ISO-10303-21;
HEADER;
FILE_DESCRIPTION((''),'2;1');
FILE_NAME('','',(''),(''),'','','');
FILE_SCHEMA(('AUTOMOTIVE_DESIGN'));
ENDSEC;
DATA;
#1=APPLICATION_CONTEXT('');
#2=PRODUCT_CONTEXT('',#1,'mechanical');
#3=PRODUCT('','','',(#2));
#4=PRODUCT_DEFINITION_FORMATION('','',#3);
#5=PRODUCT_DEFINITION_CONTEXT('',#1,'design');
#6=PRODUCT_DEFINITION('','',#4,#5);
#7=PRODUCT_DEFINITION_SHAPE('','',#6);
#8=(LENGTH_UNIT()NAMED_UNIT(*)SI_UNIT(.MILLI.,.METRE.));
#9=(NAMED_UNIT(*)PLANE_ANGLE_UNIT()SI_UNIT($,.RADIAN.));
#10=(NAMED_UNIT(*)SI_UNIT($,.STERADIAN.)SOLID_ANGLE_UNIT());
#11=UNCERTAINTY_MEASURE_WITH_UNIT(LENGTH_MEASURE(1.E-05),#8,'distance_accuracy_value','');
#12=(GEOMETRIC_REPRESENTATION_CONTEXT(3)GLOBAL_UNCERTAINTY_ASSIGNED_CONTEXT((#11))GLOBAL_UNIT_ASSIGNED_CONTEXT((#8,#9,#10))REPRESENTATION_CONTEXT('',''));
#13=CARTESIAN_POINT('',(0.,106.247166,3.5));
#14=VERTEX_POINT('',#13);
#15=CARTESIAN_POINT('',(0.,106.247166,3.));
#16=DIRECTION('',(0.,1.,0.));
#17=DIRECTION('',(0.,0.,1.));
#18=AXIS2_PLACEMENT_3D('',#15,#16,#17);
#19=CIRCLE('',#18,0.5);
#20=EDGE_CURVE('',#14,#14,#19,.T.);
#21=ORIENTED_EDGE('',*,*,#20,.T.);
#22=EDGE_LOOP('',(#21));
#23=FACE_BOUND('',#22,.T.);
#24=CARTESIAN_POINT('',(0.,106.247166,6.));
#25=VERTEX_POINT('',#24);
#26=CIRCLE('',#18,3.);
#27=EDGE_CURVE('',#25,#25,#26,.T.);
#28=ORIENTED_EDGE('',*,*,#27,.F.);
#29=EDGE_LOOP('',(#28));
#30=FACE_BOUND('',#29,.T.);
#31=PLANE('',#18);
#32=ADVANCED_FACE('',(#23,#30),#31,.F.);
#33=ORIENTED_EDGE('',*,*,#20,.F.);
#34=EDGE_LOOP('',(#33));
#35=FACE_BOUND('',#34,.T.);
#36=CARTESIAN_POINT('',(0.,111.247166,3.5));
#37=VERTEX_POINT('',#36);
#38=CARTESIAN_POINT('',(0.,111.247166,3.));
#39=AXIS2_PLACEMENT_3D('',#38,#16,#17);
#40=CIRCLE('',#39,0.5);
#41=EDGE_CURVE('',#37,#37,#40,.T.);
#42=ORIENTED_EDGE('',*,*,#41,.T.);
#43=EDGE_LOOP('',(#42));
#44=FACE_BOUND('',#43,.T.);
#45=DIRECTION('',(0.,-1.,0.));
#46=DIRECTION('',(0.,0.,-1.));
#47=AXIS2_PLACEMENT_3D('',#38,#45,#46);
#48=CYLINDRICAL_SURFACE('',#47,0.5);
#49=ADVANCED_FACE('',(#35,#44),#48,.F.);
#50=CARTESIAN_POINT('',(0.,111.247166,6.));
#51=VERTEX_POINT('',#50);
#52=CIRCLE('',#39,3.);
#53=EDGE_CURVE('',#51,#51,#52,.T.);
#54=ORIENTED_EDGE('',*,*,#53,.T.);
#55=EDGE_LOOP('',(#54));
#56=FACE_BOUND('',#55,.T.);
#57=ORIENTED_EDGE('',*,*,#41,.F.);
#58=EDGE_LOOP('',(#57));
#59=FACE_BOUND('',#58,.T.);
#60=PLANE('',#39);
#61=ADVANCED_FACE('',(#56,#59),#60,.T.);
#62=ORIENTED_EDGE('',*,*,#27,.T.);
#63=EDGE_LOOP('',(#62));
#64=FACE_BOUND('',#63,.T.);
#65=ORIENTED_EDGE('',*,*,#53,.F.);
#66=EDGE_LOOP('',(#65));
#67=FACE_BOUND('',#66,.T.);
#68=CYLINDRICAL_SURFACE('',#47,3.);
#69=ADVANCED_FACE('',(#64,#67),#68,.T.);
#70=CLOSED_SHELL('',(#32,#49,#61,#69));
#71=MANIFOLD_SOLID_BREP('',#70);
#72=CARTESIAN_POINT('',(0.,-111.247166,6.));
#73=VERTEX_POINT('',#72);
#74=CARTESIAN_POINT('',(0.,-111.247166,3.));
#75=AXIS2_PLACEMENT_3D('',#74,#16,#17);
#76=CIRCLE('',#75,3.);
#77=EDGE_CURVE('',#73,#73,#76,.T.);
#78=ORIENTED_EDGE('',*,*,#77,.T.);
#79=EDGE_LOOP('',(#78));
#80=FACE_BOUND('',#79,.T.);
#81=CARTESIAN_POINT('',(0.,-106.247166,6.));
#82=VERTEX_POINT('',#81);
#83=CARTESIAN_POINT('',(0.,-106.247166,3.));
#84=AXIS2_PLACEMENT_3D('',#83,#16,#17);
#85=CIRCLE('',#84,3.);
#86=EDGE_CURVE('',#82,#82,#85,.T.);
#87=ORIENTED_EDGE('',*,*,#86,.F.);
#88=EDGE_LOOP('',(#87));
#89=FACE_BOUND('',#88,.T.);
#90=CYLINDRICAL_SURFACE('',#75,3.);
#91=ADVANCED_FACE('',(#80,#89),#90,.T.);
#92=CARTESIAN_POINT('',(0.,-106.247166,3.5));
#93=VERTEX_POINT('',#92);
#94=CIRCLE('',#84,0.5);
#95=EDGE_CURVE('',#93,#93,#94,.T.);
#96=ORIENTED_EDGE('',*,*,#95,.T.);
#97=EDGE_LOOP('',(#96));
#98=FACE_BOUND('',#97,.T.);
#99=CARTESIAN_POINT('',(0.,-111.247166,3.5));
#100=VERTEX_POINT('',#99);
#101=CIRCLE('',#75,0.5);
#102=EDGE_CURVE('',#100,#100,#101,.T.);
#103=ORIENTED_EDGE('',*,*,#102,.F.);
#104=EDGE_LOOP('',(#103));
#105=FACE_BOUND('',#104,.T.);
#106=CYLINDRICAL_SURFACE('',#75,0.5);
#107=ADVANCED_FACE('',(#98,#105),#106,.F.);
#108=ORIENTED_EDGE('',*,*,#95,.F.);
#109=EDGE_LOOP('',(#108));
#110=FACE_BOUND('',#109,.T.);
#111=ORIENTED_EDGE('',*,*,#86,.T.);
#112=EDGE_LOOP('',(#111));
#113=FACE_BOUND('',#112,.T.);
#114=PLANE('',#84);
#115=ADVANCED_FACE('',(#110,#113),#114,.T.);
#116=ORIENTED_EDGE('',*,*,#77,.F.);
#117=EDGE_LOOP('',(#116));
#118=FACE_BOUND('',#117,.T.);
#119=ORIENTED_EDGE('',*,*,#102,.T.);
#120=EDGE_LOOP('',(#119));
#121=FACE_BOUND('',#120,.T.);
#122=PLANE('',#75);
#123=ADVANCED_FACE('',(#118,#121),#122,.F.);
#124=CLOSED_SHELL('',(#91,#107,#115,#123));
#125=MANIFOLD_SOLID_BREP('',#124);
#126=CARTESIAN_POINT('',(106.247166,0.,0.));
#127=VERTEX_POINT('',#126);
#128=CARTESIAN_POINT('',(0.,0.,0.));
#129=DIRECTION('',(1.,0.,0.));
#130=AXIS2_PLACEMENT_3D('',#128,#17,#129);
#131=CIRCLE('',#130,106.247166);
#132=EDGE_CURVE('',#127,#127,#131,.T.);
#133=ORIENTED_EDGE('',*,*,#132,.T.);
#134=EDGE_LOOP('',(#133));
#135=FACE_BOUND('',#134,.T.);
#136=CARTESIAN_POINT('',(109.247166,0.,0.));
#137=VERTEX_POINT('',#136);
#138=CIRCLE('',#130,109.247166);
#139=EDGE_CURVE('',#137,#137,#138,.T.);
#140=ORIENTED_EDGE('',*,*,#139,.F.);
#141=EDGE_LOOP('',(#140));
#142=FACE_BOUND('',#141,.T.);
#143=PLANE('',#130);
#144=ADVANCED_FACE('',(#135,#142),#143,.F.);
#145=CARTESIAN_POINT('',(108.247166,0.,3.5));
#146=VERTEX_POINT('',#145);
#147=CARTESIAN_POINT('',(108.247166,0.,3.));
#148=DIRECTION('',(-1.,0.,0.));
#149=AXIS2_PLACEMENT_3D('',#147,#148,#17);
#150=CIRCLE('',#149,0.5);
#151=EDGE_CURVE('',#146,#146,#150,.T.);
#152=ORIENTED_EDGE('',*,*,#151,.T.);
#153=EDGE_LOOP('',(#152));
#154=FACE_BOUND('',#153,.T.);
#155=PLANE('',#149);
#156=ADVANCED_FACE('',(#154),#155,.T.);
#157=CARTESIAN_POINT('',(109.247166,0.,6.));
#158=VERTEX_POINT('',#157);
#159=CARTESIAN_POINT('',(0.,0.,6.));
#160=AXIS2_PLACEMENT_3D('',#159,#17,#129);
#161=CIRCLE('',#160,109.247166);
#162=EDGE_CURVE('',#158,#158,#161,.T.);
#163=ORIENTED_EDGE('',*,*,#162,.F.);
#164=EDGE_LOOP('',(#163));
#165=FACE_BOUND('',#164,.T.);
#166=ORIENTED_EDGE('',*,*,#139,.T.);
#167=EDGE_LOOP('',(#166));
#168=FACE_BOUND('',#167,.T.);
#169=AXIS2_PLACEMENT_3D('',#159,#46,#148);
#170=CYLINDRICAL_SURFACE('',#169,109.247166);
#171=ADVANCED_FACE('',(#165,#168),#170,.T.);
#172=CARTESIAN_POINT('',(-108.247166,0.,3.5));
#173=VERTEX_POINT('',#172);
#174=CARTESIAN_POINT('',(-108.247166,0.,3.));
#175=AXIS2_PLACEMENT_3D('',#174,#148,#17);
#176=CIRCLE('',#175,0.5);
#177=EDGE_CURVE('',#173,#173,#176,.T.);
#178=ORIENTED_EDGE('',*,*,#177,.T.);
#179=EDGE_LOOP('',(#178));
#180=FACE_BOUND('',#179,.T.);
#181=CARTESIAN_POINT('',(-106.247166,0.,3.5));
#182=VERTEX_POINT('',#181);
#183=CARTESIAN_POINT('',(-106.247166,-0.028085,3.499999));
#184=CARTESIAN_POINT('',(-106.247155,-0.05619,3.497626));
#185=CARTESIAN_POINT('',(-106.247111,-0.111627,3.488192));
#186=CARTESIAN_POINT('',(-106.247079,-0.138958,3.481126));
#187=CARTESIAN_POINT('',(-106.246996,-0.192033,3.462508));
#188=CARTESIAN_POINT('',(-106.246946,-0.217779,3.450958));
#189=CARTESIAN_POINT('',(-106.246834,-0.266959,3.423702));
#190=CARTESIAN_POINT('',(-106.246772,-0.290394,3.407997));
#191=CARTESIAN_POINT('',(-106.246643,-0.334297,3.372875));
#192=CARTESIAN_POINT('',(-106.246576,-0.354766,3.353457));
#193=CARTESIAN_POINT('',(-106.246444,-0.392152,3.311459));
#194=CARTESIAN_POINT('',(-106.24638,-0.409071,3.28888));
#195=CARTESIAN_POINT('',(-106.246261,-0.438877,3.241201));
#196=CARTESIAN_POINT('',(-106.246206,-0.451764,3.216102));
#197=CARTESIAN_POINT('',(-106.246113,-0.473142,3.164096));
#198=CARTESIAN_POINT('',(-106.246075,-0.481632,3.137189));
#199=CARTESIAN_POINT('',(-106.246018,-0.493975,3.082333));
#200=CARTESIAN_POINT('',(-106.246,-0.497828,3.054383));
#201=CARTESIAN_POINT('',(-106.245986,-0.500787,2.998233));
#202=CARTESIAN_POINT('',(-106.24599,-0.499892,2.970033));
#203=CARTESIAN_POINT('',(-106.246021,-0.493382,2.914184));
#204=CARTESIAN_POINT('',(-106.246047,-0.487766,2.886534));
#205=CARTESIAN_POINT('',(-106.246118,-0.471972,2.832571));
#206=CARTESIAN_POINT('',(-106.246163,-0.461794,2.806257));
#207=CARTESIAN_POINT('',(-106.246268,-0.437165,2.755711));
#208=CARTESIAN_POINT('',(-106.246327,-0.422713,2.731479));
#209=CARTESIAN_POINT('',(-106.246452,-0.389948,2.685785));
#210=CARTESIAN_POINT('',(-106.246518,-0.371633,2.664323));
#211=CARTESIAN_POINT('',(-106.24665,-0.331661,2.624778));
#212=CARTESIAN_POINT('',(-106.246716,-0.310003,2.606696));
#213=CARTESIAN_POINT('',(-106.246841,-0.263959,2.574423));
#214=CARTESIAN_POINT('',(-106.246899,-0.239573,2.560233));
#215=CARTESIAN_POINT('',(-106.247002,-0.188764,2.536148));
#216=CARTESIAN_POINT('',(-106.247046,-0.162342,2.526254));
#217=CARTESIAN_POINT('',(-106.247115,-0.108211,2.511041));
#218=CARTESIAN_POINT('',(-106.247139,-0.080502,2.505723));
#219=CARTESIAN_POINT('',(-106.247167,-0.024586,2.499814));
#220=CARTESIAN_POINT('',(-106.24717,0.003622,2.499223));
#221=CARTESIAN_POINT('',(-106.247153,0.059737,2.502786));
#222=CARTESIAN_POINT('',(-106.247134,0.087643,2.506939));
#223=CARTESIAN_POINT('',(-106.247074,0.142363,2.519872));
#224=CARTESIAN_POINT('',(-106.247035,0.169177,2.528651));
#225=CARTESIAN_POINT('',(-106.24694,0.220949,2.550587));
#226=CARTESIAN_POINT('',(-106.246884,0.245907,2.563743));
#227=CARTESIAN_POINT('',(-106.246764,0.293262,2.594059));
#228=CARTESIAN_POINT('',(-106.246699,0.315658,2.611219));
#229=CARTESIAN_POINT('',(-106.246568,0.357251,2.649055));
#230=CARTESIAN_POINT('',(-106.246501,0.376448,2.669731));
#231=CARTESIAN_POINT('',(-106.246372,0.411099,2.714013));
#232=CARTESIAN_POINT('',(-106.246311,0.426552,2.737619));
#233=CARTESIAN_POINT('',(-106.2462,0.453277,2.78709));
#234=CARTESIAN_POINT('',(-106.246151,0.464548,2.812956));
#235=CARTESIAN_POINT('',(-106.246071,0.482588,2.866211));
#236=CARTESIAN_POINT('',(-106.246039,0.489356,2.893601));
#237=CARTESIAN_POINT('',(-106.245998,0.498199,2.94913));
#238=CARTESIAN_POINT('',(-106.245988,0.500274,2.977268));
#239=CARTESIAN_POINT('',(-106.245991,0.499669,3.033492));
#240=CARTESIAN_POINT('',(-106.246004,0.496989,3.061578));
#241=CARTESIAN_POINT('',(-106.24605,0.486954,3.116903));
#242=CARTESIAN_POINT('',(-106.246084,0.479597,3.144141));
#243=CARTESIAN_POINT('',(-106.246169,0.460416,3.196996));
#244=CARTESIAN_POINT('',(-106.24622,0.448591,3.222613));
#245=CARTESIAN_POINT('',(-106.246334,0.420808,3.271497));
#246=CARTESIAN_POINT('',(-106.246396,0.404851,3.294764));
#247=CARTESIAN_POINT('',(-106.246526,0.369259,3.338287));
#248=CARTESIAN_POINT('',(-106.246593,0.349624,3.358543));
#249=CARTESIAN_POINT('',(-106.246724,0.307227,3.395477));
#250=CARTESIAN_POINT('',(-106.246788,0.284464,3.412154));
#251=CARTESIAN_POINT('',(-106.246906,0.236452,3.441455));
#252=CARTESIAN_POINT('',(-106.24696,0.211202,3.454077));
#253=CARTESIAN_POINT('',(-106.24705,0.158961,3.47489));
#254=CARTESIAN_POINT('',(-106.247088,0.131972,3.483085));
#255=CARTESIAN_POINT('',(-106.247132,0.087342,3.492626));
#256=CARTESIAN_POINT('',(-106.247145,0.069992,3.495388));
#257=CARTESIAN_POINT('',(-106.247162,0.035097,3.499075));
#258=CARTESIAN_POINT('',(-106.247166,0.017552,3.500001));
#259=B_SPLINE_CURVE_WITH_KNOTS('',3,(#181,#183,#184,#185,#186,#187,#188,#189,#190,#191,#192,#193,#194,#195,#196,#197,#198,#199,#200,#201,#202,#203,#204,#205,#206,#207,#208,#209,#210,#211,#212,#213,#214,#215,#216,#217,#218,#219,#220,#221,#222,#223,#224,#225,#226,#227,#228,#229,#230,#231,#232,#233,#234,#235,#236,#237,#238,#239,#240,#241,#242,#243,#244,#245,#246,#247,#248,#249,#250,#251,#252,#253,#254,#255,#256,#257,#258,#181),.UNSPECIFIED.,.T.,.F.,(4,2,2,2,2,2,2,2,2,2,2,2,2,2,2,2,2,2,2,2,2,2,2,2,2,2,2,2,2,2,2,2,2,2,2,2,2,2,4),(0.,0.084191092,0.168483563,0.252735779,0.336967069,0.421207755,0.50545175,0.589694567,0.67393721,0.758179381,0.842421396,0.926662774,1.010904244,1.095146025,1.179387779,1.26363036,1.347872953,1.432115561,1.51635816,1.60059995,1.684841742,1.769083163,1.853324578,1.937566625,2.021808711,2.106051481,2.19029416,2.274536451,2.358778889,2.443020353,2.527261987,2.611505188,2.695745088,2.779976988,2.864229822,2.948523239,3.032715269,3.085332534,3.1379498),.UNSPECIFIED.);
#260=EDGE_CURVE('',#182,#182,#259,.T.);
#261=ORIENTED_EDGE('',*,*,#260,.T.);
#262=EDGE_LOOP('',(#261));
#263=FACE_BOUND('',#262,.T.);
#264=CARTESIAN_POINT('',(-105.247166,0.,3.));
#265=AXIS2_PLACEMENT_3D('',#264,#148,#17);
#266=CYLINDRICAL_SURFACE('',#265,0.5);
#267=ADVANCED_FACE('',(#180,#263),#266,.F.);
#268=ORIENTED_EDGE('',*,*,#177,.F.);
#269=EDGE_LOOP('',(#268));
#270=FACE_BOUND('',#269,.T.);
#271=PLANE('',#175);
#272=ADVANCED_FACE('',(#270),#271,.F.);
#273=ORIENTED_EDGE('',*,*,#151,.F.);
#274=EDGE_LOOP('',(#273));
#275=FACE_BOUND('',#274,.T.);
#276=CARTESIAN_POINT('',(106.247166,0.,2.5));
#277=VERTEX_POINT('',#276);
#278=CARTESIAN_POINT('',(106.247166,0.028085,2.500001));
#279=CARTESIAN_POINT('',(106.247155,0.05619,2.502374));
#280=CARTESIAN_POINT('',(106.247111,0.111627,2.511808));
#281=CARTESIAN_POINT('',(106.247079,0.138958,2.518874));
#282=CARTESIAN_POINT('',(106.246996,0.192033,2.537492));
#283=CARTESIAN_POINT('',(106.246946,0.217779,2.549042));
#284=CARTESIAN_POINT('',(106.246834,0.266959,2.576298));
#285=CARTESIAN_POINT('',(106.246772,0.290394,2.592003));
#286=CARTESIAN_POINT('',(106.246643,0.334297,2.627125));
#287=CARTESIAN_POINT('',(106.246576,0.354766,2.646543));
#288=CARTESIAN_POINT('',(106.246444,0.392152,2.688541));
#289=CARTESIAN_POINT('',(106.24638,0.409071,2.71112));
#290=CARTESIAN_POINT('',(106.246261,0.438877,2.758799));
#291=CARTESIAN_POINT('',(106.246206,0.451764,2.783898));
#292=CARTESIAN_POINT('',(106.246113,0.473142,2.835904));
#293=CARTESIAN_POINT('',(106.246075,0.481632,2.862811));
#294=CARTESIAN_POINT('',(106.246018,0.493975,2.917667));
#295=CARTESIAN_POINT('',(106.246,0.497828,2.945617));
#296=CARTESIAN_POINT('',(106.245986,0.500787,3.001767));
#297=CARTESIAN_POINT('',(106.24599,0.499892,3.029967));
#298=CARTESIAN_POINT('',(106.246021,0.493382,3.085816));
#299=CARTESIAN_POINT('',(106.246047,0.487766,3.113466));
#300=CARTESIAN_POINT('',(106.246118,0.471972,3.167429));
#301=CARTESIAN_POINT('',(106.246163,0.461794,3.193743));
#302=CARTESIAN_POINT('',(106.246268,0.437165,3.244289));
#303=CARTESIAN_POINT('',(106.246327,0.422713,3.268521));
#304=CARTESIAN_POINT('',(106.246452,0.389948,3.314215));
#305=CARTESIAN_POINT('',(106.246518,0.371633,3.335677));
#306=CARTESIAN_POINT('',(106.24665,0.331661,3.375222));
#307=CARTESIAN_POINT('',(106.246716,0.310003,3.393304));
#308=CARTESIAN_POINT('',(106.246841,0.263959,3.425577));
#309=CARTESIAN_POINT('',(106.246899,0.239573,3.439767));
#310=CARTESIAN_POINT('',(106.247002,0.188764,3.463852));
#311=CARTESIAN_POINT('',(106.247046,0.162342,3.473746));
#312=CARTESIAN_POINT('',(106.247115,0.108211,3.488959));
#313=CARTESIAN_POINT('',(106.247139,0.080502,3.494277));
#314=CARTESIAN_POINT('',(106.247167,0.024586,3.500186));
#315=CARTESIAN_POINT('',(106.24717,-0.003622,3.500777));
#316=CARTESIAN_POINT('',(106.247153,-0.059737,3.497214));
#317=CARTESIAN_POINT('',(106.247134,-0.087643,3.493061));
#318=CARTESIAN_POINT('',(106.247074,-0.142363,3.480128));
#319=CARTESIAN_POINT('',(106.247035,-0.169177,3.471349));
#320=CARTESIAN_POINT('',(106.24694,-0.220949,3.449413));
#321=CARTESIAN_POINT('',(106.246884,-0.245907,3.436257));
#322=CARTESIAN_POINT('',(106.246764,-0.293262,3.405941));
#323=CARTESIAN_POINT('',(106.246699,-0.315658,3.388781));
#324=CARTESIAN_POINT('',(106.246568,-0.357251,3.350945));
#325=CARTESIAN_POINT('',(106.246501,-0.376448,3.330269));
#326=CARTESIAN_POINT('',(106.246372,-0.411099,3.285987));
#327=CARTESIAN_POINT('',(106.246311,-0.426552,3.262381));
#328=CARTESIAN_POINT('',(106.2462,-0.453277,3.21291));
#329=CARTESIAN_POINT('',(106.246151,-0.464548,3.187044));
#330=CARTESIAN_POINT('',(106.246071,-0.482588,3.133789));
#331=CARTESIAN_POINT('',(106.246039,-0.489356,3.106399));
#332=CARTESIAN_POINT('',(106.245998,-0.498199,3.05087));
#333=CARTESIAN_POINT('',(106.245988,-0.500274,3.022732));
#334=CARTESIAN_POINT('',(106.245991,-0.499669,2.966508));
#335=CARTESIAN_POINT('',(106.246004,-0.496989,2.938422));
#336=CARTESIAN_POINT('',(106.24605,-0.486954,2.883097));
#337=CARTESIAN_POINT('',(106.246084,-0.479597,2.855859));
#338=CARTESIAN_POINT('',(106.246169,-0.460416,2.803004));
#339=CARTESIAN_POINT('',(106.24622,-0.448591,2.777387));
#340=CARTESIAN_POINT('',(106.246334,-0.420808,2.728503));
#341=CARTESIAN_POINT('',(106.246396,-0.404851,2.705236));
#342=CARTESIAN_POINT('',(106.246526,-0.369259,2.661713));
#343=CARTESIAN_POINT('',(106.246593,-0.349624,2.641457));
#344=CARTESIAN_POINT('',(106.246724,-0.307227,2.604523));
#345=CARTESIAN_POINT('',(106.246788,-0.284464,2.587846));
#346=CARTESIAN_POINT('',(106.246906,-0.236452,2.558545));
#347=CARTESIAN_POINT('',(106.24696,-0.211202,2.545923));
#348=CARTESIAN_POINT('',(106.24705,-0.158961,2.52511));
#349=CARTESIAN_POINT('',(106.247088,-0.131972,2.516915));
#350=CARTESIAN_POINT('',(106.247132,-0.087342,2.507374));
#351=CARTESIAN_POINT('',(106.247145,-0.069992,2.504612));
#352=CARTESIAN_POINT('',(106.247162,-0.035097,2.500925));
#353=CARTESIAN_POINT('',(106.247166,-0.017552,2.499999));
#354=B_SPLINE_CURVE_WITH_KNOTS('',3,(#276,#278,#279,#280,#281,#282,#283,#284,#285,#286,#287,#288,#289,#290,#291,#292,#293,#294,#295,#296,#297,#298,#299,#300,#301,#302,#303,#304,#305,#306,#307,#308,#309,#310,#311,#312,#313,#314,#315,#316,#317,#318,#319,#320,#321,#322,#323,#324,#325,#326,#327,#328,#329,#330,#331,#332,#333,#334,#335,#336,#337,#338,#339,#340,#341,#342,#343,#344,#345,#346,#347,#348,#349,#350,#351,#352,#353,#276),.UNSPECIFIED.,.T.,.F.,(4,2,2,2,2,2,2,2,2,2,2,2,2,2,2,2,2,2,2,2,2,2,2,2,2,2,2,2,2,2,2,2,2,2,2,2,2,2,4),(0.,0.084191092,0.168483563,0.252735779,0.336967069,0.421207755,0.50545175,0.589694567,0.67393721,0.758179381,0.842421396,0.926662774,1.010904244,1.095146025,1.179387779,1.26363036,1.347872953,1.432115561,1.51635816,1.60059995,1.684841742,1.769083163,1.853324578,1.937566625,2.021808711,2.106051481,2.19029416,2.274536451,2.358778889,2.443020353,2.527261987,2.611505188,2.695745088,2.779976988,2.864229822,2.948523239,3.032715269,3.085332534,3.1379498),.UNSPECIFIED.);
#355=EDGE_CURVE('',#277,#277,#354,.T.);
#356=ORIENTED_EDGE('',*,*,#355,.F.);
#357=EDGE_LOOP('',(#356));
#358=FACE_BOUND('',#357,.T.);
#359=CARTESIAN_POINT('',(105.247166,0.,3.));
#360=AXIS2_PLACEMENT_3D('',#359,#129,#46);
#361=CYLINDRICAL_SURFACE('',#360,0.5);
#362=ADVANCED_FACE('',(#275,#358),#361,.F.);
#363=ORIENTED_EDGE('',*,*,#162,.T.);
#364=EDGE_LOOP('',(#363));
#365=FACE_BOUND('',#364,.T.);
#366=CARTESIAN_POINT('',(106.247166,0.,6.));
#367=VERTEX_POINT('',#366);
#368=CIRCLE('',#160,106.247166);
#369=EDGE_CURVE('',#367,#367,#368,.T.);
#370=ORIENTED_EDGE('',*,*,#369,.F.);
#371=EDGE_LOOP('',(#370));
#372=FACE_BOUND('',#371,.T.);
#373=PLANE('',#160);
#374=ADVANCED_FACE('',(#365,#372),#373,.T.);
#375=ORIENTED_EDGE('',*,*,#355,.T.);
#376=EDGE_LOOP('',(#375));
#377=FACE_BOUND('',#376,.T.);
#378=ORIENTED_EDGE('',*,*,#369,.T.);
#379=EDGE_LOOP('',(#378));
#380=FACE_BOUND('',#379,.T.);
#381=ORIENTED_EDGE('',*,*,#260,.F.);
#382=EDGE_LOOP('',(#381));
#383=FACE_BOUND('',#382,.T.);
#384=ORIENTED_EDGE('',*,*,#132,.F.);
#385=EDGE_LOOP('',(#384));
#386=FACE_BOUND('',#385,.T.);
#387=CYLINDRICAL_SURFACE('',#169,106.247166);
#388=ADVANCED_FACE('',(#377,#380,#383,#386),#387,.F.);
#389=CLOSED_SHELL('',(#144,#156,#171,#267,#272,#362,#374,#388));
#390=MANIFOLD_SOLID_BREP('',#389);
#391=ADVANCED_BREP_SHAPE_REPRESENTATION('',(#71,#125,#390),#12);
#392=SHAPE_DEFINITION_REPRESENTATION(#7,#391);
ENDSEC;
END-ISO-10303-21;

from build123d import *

# Parameters (mm, degrees)
SKETCH1_R           = 109.24716621
SKETCH1_R_2         = 106.24716621
BOSS_EXTRUDE1_DEPTH = 6
SKETCH3_R           = 3
SKETCH3_R_2         = 0.5
BOSS_EXTRUDE2_DEPTH = 5
SKETCH4_R           = 3
SKETCH4_R_2         = 0.5
BOSS_EXTRUDE3_DEPTH = 5
SKETCH8_R           = 0.5
CUT_EXTRUDE7_DEPTH  = 3
SKETCH9_R           = 0.5
CUT_EXTRUDE8_DEPTH  = 3


with BuildPart() as part:
    # Sketch1 → Boss-Extrude1 (new body)
    with BuildSketch(Plane.XY):
        Circle(SKETCH1_R)
        Circle(SKETCH1_R_2, mode=Mode.SUBTRACT)
    extrude(amount=BOSS_EXTRUDE1_DEPTH)

    # Sketch8 → Cut-Extrude7 (cut)
    with BuildSketch(Plane.ZY.offset(-108.24716621)):
        with Locations((3, 0)):
            Circle(SKETCH8_R)
    extrude(amount=CUT_EXTRUDE7_DEPTH, mode=Mode.SUBTRACT)

    # Sketch9 → Cut-Extrude8 (cut)
    with BuildSketch(Plane.ZY.offset(108.24716621)):
        with Locations((3, 0)):
            Circle(SKETCH9_R)
    extrude(amount=-CUT_EXTRUDE8_DEPTH, mode=Mode.SUBTRACT)


with BuildPart() as body_2:
    # Sketch3 → Boss-Extrude2 (new body)
    with BuildSketch(Plane(origin=(0, -106.24716621, 0), x_dir=(1, 0, 0), z_dir=(0, 1, 0))):
        with Locations((0, -3)):
            Circle(SKETCH3_R)
        with Locations((0, -3)):
            Circle(SKETCH3_R_2, mode=Mode.SUBTRACT)
    extrude(amount=-BOSS_EXTRUDE2_DEPTH)


with BuildPart() as body_3:
    # Sketch4 → Boss-Extrude3 (new body)
    with BuildSketch(Plane(origin=(0, 106.24716621, 0), x_dir=(1, 0, 0), z_dir=(0, 1, 0))):
        with Locations((0, -3)):
            Circle(SKETCH4_R)
        with Locations((0, -3)):
            Circle(SKETCH4_R_2, mode=Mode.SUBTRACT)
    extrude(amount=BOSS_EXTRUDE3_DEPTH)


solid = Compound([part.part, body_2.part, body_3.part])
